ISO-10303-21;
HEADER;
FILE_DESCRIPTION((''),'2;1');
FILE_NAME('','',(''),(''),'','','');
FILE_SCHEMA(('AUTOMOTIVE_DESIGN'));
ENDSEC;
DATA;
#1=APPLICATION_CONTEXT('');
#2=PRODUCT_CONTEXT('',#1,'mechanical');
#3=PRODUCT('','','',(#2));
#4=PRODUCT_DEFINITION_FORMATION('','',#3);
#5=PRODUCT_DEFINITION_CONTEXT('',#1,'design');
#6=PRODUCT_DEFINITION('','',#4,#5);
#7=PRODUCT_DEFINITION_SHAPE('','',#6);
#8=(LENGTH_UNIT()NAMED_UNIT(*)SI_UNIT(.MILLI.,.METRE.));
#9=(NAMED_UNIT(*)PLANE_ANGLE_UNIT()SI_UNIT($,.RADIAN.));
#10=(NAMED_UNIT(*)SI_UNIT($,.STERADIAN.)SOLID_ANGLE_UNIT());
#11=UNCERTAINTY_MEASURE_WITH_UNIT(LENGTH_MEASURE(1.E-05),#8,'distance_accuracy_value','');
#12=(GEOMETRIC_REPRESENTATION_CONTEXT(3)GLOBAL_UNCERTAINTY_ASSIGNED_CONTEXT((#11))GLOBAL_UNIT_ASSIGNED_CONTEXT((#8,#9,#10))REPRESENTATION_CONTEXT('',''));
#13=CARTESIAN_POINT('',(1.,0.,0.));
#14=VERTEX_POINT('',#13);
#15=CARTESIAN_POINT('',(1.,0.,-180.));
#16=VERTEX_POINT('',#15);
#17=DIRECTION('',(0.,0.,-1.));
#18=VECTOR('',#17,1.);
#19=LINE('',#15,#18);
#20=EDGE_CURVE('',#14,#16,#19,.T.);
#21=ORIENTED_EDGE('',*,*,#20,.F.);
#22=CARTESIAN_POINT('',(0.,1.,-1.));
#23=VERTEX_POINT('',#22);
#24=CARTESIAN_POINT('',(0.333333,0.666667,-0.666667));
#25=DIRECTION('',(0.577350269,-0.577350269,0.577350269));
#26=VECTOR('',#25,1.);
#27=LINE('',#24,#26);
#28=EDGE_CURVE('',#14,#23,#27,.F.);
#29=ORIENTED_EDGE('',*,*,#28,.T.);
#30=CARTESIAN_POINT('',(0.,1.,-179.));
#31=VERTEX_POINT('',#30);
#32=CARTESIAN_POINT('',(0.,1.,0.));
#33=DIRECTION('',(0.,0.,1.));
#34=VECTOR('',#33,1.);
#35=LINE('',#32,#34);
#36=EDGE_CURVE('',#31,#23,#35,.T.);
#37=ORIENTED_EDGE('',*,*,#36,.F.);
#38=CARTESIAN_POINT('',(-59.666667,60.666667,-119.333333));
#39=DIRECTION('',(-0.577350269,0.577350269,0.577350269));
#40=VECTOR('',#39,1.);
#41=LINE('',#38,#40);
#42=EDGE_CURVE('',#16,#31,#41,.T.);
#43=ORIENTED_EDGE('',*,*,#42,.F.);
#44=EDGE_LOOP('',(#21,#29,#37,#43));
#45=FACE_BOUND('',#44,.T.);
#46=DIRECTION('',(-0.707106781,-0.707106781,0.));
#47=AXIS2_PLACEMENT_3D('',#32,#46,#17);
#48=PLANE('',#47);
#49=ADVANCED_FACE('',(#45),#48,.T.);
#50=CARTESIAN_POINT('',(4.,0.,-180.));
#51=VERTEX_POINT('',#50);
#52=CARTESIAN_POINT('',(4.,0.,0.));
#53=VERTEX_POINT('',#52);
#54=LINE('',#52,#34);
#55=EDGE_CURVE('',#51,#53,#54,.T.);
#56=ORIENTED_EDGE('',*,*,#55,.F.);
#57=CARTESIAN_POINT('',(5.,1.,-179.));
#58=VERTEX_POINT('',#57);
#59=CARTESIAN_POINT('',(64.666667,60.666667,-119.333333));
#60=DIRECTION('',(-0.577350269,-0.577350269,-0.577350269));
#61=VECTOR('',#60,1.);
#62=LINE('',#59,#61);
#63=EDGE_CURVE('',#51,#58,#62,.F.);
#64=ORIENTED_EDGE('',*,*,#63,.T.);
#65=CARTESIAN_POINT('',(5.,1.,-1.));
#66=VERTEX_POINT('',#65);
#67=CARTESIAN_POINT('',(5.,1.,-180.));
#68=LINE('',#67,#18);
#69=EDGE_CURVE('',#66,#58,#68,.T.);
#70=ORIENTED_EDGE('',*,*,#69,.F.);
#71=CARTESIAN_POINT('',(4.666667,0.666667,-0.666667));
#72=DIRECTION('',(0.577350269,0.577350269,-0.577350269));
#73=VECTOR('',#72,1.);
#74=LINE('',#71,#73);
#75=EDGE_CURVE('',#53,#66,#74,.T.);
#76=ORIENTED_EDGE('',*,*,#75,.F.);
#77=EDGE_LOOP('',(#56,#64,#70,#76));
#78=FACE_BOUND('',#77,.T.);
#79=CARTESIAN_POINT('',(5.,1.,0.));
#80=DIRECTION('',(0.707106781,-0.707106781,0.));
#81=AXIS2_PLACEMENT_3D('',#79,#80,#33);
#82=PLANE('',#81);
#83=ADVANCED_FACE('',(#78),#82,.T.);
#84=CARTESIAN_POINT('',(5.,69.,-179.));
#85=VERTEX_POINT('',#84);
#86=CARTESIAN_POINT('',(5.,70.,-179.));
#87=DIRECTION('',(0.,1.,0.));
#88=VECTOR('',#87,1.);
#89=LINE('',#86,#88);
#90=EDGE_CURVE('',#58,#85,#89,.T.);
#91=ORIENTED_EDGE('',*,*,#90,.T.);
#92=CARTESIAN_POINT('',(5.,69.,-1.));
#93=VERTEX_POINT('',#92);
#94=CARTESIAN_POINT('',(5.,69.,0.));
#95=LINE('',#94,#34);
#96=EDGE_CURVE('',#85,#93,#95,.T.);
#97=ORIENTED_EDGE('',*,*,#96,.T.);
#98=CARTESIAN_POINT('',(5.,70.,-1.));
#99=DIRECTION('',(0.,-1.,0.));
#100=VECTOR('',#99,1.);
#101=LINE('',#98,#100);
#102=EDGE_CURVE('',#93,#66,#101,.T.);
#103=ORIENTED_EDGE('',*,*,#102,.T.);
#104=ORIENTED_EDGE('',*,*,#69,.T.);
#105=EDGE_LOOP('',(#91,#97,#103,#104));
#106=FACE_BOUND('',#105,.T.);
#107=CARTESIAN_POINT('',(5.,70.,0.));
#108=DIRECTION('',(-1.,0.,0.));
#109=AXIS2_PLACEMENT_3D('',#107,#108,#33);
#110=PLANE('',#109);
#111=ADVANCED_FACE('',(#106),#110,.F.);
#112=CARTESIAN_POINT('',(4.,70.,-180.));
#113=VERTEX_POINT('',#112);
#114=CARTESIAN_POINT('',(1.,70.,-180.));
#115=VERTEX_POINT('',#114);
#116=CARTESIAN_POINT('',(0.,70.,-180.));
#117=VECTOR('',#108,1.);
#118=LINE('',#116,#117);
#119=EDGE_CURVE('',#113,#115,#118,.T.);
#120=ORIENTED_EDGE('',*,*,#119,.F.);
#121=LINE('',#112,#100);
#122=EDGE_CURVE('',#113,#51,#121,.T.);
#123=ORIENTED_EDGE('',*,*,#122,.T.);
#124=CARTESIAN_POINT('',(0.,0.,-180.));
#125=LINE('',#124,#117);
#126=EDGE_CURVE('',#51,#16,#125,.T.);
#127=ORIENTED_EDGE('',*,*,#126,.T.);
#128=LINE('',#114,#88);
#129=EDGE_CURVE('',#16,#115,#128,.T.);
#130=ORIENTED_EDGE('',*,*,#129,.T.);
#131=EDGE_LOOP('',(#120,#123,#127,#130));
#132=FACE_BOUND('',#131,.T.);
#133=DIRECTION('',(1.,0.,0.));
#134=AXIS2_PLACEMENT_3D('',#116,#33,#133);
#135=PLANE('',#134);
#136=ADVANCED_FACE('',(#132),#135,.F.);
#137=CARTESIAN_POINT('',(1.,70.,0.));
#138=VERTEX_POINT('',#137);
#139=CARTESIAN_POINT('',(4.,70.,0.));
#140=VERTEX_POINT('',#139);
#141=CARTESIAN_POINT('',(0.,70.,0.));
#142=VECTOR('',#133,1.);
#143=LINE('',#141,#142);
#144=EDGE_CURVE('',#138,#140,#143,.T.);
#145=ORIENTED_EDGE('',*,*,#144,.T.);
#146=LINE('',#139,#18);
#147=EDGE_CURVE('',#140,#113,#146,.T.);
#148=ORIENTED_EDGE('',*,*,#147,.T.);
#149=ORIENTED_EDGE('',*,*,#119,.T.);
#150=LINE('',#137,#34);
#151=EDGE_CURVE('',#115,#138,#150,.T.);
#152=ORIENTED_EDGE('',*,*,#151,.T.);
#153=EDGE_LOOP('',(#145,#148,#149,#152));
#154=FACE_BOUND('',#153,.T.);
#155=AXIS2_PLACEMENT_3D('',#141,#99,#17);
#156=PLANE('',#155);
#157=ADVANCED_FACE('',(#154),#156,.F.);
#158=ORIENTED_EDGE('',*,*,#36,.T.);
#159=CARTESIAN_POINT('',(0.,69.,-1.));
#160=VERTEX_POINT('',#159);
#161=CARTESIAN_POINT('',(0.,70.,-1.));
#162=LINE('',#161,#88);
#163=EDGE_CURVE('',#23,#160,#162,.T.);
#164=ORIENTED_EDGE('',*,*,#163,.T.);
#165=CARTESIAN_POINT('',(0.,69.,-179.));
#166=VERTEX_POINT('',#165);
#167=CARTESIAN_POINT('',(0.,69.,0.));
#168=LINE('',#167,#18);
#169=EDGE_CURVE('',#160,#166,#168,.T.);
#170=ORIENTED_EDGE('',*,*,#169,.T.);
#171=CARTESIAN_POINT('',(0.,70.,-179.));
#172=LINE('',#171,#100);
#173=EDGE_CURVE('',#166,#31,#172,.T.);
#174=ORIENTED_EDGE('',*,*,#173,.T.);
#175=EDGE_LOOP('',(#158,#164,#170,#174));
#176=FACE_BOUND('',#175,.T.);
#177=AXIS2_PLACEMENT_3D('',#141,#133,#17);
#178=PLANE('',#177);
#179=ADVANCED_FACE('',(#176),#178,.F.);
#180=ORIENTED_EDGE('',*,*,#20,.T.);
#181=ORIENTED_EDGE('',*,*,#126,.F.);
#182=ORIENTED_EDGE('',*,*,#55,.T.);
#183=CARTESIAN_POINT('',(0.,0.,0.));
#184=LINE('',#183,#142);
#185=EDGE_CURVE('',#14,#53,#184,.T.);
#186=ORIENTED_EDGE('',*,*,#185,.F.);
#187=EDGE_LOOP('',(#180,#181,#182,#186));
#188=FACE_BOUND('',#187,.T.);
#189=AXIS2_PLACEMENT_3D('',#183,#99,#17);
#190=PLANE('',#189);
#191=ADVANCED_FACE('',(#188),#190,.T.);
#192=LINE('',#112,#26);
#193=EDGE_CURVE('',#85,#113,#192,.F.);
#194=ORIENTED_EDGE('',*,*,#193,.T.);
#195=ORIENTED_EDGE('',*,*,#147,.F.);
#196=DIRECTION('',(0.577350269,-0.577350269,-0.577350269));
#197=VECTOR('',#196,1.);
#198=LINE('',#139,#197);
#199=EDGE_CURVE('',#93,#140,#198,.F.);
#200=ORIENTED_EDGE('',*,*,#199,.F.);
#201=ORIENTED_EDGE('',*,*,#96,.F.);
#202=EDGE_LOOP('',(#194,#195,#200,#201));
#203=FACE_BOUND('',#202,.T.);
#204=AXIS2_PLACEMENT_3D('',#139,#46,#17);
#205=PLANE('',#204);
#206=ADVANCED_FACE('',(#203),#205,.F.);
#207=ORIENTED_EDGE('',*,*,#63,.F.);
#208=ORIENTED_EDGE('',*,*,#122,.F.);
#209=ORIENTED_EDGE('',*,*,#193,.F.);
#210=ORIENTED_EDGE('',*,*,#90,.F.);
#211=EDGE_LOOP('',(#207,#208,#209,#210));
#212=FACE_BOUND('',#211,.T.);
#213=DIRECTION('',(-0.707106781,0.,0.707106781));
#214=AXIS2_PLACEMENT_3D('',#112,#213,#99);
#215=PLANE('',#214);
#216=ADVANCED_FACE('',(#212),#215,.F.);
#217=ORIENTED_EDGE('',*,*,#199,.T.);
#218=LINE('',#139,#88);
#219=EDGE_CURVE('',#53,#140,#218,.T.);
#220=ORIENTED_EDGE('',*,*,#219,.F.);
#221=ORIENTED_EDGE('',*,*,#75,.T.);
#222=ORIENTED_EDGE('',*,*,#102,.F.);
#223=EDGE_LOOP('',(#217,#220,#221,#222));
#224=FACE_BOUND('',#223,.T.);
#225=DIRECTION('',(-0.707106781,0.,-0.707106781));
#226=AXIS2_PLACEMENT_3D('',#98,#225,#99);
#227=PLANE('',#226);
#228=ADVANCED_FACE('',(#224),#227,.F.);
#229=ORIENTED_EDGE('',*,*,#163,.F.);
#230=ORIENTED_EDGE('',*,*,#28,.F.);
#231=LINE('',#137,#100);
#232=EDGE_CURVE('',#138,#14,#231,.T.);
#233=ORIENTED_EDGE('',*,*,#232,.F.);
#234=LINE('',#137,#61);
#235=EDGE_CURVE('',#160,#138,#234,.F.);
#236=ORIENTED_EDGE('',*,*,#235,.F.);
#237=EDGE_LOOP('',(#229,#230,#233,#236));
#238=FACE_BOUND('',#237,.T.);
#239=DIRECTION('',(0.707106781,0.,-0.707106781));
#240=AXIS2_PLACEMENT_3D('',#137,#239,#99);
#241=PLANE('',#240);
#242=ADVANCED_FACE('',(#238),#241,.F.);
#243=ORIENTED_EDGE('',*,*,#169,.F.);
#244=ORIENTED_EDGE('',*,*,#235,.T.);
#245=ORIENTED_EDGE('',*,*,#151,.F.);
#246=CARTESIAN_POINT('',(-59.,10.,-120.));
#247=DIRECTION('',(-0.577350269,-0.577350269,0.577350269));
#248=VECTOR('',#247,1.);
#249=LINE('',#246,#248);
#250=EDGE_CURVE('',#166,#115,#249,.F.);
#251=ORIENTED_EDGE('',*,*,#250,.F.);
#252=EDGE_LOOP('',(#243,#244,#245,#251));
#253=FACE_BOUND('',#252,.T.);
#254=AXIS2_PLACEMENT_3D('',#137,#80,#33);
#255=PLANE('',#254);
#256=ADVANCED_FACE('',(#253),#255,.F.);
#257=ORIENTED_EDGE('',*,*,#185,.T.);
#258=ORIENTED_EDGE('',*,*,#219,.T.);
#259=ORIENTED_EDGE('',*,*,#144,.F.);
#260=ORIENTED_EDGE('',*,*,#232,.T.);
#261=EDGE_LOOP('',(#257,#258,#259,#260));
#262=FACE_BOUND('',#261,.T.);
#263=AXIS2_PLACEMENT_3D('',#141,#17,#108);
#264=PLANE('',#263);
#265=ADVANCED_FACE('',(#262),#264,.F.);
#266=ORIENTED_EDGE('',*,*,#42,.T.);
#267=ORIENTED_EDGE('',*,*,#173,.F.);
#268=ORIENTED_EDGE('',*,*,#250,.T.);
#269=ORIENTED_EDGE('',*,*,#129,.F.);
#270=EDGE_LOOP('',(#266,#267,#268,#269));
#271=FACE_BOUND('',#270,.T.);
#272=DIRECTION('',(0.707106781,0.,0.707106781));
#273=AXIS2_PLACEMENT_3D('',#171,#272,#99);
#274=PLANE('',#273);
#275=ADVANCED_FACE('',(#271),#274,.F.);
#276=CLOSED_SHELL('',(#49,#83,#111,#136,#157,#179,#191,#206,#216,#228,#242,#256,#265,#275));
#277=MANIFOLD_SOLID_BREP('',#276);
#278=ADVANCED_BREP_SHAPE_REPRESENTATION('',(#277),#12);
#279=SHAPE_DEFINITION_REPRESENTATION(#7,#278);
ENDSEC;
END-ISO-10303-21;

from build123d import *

# Parameters (mm, degrees)
SKETCH1_W           = 5
SKETCH1_H           = 180
BOSS_EXTRUDE1_DEPTH = 70
CHAMFER2_SIZE       = 1


with BuildPart() as part:
    # Sketch1 → Boss-Extrude1 (new body)
    with BuildSketch(Plane(origin=(0, 0, 0), x_dir=(1, 0, 0), z_dir=(0, 1, 0))):
        with Locations((2.5, 90)):
            Rectangle(SKETCH1_W, SKETCH1_H)
    extrude(amount=BOSS_EXTRUDE1_DEPTH)

    # Chamfer2
    chamfer2_edges = [part.edges().sort_by_distance(p)[0] for p in [
        (5, 70, -90),
        (0, 70, -90),
        (5, 0, -90),
        (0, 0, -90),
        (0, 35, -180),
        (5, 35, -180),
        (5, 35, 0),
        (0, 35, 0),
    ]]
    chamfer(chamfer2_edges, length=CHAMFER2_SIZE)


solid = part.part
